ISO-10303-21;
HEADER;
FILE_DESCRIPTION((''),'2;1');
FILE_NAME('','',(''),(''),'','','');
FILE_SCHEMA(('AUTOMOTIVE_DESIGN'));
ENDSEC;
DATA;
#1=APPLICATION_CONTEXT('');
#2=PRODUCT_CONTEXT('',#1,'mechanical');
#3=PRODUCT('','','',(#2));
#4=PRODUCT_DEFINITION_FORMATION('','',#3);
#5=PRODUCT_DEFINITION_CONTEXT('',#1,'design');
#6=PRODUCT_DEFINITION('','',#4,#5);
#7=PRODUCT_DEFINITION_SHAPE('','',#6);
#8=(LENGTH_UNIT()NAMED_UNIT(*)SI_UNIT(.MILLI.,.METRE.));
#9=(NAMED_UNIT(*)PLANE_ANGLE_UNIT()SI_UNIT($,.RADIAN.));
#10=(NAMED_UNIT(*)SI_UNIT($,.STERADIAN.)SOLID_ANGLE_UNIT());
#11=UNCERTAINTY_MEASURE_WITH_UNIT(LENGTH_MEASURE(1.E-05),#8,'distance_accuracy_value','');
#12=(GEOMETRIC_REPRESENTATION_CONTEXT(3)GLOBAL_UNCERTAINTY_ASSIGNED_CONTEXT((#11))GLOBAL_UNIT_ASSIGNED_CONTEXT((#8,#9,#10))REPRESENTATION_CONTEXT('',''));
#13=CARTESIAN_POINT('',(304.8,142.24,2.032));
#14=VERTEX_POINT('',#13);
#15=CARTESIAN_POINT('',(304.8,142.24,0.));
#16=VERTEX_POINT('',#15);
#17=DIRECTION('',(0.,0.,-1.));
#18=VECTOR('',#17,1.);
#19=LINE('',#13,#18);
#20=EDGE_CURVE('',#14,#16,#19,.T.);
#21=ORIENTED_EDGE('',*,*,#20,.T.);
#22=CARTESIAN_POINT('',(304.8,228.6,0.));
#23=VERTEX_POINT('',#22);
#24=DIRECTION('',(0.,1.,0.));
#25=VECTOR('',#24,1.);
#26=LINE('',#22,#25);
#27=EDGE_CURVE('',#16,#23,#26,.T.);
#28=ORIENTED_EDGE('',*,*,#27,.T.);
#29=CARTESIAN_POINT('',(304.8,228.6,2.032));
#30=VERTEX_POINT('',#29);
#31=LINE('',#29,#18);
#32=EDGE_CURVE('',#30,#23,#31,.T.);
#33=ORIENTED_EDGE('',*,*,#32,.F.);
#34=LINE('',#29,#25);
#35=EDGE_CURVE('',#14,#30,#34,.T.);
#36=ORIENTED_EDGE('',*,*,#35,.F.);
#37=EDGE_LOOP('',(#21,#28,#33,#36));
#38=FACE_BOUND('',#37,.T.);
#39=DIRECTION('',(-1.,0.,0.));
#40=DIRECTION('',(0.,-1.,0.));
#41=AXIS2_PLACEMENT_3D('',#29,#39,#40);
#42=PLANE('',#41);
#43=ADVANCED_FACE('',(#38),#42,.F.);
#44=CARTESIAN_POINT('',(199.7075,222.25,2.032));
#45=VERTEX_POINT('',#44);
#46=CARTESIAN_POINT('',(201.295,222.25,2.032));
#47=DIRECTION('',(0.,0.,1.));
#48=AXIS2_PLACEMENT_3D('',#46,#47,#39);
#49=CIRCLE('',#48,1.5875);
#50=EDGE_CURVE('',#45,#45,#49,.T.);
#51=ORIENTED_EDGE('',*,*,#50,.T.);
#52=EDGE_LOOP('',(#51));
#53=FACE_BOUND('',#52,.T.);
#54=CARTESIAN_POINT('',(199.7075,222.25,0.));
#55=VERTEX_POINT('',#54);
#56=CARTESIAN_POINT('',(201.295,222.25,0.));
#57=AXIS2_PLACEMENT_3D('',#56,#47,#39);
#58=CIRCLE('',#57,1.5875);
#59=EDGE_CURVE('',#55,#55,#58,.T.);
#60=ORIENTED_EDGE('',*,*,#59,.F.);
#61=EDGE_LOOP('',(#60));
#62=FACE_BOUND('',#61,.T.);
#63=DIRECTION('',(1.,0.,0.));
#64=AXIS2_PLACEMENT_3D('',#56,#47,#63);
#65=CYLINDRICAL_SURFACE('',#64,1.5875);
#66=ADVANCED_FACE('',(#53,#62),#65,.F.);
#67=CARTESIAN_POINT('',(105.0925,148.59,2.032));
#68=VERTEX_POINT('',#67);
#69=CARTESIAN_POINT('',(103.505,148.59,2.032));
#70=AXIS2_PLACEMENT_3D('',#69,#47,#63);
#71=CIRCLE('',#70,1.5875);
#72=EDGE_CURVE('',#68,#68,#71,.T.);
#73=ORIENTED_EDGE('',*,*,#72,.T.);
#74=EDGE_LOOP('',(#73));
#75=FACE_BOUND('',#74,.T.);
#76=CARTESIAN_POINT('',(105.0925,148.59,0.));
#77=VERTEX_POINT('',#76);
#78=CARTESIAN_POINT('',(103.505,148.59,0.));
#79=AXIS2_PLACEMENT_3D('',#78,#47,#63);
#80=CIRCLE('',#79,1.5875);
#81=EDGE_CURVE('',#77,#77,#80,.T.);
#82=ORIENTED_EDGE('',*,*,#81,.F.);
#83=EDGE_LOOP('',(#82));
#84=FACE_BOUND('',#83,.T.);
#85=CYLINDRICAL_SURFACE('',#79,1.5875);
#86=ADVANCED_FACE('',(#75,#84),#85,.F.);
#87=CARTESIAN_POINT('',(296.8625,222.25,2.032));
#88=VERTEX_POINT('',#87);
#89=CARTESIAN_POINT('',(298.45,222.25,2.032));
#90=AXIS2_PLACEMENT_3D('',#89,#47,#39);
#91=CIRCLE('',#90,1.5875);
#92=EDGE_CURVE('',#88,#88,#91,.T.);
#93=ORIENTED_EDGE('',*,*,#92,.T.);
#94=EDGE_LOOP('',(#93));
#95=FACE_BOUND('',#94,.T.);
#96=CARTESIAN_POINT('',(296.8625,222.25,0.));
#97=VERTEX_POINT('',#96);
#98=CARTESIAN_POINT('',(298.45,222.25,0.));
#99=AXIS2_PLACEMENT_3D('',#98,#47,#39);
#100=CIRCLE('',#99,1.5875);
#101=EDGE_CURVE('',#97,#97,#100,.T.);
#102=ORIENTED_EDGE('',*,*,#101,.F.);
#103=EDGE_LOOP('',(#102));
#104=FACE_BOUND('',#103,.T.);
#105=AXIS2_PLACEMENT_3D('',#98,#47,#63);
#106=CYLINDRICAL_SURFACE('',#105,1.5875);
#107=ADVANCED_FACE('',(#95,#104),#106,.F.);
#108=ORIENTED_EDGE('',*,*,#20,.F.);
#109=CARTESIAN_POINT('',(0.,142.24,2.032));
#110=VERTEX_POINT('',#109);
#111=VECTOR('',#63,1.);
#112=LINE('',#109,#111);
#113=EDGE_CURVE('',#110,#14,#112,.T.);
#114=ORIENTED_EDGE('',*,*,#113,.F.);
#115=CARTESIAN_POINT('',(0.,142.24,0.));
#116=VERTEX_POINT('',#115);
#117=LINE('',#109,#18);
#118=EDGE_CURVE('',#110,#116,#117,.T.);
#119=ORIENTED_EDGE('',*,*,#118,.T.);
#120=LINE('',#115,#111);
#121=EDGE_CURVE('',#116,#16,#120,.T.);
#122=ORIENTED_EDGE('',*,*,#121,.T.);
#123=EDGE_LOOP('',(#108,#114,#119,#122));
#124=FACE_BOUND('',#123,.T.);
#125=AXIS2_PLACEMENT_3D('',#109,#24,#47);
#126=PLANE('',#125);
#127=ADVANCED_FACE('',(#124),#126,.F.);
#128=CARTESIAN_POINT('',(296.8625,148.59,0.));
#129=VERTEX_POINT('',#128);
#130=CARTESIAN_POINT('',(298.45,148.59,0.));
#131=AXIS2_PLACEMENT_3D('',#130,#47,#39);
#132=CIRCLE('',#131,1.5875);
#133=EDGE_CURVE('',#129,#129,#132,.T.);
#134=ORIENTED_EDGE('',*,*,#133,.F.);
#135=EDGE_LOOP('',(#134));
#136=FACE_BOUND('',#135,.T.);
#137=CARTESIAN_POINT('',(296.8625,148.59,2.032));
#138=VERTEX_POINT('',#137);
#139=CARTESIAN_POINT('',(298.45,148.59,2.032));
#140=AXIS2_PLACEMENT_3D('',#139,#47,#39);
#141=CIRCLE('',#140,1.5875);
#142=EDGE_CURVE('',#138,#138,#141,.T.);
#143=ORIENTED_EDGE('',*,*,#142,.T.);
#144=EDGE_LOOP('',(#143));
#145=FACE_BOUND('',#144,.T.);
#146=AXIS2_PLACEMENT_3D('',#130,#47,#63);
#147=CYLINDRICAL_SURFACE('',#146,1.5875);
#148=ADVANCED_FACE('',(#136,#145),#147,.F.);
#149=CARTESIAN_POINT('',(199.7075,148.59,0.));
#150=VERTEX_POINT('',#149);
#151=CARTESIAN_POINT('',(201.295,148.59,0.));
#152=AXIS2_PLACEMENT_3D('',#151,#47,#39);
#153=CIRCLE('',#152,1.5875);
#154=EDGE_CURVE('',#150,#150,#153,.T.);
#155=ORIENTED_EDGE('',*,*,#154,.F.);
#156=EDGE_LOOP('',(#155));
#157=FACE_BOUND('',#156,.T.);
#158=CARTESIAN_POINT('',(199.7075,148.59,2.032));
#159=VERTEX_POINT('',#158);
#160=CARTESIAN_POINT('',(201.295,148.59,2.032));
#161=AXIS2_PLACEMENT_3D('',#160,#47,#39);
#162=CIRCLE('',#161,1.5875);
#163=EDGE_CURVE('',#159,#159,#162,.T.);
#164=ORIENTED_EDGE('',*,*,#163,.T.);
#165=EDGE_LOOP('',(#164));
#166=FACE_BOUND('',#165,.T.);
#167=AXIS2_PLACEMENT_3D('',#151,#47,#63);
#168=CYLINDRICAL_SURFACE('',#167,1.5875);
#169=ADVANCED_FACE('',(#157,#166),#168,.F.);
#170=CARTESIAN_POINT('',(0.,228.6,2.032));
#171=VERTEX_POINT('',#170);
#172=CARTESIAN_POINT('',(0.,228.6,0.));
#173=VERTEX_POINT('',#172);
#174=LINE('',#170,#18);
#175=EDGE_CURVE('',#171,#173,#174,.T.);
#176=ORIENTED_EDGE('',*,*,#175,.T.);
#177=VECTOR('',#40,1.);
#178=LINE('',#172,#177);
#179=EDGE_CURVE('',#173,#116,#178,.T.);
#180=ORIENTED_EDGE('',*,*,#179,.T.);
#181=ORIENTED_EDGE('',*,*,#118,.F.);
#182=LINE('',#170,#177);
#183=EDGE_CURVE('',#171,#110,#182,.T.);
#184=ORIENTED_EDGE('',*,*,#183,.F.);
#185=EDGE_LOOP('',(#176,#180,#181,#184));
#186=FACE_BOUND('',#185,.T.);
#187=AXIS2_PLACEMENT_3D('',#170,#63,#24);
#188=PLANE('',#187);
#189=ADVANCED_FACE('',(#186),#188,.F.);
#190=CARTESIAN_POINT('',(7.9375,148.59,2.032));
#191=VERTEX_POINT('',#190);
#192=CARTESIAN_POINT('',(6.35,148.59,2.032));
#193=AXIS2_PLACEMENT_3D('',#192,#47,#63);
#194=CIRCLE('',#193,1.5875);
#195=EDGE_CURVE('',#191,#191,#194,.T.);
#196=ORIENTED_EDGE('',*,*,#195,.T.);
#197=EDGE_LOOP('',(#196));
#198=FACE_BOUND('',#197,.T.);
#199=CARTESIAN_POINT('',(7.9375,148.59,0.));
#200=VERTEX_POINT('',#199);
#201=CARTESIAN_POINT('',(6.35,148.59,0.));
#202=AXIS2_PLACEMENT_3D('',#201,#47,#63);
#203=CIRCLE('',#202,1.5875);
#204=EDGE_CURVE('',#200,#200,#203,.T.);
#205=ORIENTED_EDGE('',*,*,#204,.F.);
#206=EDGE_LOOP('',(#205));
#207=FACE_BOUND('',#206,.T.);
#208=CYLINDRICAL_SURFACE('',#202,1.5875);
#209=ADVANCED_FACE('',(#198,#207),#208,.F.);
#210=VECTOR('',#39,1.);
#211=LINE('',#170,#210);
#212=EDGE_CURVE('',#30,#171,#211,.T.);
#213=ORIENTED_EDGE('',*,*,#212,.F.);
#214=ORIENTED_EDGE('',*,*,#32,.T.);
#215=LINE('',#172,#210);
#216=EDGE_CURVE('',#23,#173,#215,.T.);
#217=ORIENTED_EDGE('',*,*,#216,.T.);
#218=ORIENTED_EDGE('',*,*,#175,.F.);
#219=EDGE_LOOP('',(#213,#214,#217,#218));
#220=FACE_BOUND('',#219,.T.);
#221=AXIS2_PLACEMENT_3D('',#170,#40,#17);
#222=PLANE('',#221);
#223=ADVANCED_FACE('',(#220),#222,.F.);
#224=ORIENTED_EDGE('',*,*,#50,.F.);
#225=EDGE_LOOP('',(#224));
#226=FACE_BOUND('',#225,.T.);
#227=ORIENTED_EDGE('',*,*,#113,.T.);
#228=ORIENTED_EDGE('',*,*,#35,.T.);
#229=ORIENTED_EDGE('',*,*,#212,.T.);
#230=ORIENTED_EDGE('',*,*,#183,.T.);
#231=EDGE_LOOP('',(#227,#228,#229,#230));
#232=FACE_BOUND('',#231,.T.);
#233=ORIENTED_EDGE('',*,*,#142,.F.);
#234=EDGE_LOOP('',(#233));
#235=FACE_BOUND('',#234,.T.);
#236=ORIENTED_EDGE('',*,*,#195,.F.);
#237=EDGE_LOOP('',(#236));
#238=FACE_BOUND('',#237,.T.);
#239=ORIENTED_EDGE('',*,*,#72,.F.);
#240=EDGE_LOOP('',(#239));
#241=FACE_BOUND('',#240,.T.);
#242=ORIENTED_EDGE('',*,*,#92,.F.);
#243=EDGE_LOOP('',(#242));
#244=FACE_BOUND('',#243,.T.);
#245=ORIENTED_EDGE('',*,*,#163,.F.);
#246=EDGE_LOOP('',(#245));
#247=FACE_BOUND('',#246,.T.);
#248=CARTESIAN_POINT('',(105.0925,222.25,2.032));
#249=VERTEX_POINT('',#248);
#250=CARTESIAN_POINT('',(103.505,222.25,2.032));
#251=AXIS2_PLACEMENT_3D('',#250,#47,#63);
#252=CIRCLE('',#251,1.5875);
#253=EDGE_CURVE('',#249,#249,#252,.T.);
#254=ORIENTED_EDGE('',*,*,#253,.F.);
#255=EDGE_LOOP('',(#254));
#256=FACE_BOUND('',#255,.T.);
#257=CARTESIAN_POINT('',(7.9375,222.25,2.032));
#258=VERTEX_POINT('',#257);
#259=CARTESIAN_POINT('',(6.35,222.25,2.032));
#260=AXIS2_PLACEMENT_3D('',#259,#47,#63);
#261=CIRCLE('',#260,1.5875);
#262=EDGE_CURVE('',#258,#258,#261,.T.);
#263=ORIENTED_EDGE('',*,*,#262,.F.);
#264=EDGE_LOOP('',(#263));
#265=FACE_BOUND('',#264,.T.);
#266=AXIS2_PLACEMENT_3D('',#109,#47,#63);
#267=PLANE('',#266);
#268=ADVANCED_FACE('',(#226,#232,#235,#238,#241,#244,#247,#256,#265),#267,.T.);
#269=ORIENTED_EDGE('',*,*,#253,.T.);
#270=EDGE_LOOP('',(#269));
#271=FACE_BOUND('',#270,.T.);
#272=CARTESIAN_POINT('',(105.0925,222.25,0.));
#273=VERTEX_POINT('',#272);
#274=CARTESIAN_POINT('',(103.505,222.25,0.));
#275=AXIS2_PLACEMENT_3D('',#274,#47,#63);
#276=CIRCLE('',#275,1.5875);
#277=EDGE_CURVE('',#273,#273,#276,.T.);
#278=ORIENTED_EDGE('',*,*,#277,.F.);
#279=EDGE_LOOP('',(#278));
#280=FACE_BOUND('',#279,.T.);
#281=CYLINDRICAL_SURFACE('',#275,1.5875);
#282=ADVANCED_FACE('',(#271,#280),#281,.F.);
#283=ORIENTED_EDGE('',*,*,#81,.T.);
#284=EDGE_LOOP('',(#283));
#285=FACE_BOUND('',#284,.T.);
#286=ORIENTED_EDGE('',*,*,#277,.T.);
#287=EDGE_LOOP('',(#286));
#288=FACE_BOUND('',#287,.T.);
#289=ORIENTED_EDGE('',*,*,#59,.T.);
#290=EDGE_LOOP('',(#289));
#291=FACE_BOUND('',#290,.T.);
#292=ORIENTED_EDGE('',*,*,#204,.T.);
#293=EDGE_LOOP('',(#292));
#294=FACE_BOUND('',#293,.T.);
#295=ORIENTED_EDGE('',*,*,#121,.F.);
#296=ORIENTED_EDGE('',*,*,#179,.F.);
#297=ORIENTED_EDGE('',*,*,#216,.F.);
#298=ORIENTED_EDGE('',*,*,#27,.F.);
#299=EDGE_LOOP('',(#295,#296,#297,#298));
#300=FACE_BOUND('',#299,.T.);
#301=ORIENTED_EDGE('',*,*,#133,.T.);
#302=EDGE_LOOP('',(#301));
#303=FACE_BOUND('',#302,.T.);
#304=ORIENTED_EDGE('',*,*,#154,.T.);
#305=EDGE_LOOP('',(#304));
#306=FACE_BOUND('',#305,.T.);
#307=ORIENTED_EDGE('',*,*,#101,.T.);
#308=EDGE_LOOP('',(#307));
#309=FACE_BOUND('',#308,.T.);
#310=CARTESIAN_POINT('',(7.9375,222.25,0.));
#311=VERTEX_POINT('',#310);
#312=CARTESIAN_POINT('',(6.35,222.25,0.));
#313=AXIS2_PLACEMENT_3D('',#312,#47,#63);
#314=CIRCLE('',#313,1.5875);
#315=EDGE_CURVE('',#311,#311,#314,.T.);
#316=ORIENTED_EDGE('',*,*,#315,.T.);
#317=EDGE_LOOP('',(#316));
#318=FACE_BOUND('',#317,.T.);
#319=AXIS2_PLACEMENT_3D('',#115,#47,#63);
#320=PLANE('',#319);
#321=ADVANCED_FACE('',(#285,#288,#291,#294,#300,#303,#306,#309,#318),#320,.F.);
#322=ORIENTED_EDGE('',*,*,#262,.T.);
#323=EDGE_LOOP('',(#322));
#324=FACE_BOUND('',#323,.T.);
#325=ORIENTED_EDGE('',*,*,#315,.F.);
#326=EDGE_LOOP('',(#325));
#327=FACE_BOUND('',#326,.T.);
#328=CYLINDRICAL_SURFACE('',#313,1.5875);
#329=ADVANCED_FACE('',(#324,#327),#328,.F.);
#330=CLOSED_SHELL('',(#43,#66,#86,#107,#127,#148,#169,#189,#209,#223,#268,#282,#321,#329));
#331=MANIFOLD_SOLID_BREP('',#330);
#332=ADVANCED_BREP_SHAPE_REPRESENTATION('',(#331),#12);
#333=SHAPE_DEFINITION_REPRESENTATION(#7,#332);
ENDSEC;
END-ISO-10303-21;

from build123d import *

# Parameters (mm, degrees)
SKETCH1_W          = 304.8
SKETCH1_H          = 86.36
EXTRUDE1_DEPTH     = 2.032
SKETCH2_R          = 1.5875
CUT_EXTRUDE1_DEPTH = 382.005418628


with BuildPart() as part:
    # Sketch1 → Extrude1 (new body)
    with BuildSketch(Plane.XY):
        with Locations((152.4, 185.42)):
            Rectangle(SKETCH1_W, SKETCH1_H)
    extrude(amount=EXTRUDE1_DEPTH)

    # Sketch2 → Cut-Extrude1 (cut, through all)
    with BuildSketch(Plane.XY.offset(2.032)):
        with Locations((6.35, 222.25)):
            Circle(SKETCH2_R)
        with Locations((6.35, 148.59)):
            Circle(SKETCH2_R)
        with Locations((103.505, 222.25)):
            Circle(SKETCH2_R)
        with Locations((103.505, 148.59)):
            Circle(SKETCH2_R)
        with Locations(Location((201.295, 148.59, 0), (0, 0, 180))):
            Circle(SKETCH2_R)
        with Locations(Location((201.295, 222.25, 0), (0, 0, 180))):
            Circle(SKETCH2_R)
        with Locations(Location((298.45, 148.59, 0), (0, 0, 180))):
            Circle(SKETCH2_R)
        with Locations(Location((298.45, 222.25, 0), (0, 0, 180))):
            Circle(SKETCH2_R)
    extrude(amount=-CUT_EXTRUDE1_DEPTH, mode=Mode.SUBTRACT)


solid = part.part
